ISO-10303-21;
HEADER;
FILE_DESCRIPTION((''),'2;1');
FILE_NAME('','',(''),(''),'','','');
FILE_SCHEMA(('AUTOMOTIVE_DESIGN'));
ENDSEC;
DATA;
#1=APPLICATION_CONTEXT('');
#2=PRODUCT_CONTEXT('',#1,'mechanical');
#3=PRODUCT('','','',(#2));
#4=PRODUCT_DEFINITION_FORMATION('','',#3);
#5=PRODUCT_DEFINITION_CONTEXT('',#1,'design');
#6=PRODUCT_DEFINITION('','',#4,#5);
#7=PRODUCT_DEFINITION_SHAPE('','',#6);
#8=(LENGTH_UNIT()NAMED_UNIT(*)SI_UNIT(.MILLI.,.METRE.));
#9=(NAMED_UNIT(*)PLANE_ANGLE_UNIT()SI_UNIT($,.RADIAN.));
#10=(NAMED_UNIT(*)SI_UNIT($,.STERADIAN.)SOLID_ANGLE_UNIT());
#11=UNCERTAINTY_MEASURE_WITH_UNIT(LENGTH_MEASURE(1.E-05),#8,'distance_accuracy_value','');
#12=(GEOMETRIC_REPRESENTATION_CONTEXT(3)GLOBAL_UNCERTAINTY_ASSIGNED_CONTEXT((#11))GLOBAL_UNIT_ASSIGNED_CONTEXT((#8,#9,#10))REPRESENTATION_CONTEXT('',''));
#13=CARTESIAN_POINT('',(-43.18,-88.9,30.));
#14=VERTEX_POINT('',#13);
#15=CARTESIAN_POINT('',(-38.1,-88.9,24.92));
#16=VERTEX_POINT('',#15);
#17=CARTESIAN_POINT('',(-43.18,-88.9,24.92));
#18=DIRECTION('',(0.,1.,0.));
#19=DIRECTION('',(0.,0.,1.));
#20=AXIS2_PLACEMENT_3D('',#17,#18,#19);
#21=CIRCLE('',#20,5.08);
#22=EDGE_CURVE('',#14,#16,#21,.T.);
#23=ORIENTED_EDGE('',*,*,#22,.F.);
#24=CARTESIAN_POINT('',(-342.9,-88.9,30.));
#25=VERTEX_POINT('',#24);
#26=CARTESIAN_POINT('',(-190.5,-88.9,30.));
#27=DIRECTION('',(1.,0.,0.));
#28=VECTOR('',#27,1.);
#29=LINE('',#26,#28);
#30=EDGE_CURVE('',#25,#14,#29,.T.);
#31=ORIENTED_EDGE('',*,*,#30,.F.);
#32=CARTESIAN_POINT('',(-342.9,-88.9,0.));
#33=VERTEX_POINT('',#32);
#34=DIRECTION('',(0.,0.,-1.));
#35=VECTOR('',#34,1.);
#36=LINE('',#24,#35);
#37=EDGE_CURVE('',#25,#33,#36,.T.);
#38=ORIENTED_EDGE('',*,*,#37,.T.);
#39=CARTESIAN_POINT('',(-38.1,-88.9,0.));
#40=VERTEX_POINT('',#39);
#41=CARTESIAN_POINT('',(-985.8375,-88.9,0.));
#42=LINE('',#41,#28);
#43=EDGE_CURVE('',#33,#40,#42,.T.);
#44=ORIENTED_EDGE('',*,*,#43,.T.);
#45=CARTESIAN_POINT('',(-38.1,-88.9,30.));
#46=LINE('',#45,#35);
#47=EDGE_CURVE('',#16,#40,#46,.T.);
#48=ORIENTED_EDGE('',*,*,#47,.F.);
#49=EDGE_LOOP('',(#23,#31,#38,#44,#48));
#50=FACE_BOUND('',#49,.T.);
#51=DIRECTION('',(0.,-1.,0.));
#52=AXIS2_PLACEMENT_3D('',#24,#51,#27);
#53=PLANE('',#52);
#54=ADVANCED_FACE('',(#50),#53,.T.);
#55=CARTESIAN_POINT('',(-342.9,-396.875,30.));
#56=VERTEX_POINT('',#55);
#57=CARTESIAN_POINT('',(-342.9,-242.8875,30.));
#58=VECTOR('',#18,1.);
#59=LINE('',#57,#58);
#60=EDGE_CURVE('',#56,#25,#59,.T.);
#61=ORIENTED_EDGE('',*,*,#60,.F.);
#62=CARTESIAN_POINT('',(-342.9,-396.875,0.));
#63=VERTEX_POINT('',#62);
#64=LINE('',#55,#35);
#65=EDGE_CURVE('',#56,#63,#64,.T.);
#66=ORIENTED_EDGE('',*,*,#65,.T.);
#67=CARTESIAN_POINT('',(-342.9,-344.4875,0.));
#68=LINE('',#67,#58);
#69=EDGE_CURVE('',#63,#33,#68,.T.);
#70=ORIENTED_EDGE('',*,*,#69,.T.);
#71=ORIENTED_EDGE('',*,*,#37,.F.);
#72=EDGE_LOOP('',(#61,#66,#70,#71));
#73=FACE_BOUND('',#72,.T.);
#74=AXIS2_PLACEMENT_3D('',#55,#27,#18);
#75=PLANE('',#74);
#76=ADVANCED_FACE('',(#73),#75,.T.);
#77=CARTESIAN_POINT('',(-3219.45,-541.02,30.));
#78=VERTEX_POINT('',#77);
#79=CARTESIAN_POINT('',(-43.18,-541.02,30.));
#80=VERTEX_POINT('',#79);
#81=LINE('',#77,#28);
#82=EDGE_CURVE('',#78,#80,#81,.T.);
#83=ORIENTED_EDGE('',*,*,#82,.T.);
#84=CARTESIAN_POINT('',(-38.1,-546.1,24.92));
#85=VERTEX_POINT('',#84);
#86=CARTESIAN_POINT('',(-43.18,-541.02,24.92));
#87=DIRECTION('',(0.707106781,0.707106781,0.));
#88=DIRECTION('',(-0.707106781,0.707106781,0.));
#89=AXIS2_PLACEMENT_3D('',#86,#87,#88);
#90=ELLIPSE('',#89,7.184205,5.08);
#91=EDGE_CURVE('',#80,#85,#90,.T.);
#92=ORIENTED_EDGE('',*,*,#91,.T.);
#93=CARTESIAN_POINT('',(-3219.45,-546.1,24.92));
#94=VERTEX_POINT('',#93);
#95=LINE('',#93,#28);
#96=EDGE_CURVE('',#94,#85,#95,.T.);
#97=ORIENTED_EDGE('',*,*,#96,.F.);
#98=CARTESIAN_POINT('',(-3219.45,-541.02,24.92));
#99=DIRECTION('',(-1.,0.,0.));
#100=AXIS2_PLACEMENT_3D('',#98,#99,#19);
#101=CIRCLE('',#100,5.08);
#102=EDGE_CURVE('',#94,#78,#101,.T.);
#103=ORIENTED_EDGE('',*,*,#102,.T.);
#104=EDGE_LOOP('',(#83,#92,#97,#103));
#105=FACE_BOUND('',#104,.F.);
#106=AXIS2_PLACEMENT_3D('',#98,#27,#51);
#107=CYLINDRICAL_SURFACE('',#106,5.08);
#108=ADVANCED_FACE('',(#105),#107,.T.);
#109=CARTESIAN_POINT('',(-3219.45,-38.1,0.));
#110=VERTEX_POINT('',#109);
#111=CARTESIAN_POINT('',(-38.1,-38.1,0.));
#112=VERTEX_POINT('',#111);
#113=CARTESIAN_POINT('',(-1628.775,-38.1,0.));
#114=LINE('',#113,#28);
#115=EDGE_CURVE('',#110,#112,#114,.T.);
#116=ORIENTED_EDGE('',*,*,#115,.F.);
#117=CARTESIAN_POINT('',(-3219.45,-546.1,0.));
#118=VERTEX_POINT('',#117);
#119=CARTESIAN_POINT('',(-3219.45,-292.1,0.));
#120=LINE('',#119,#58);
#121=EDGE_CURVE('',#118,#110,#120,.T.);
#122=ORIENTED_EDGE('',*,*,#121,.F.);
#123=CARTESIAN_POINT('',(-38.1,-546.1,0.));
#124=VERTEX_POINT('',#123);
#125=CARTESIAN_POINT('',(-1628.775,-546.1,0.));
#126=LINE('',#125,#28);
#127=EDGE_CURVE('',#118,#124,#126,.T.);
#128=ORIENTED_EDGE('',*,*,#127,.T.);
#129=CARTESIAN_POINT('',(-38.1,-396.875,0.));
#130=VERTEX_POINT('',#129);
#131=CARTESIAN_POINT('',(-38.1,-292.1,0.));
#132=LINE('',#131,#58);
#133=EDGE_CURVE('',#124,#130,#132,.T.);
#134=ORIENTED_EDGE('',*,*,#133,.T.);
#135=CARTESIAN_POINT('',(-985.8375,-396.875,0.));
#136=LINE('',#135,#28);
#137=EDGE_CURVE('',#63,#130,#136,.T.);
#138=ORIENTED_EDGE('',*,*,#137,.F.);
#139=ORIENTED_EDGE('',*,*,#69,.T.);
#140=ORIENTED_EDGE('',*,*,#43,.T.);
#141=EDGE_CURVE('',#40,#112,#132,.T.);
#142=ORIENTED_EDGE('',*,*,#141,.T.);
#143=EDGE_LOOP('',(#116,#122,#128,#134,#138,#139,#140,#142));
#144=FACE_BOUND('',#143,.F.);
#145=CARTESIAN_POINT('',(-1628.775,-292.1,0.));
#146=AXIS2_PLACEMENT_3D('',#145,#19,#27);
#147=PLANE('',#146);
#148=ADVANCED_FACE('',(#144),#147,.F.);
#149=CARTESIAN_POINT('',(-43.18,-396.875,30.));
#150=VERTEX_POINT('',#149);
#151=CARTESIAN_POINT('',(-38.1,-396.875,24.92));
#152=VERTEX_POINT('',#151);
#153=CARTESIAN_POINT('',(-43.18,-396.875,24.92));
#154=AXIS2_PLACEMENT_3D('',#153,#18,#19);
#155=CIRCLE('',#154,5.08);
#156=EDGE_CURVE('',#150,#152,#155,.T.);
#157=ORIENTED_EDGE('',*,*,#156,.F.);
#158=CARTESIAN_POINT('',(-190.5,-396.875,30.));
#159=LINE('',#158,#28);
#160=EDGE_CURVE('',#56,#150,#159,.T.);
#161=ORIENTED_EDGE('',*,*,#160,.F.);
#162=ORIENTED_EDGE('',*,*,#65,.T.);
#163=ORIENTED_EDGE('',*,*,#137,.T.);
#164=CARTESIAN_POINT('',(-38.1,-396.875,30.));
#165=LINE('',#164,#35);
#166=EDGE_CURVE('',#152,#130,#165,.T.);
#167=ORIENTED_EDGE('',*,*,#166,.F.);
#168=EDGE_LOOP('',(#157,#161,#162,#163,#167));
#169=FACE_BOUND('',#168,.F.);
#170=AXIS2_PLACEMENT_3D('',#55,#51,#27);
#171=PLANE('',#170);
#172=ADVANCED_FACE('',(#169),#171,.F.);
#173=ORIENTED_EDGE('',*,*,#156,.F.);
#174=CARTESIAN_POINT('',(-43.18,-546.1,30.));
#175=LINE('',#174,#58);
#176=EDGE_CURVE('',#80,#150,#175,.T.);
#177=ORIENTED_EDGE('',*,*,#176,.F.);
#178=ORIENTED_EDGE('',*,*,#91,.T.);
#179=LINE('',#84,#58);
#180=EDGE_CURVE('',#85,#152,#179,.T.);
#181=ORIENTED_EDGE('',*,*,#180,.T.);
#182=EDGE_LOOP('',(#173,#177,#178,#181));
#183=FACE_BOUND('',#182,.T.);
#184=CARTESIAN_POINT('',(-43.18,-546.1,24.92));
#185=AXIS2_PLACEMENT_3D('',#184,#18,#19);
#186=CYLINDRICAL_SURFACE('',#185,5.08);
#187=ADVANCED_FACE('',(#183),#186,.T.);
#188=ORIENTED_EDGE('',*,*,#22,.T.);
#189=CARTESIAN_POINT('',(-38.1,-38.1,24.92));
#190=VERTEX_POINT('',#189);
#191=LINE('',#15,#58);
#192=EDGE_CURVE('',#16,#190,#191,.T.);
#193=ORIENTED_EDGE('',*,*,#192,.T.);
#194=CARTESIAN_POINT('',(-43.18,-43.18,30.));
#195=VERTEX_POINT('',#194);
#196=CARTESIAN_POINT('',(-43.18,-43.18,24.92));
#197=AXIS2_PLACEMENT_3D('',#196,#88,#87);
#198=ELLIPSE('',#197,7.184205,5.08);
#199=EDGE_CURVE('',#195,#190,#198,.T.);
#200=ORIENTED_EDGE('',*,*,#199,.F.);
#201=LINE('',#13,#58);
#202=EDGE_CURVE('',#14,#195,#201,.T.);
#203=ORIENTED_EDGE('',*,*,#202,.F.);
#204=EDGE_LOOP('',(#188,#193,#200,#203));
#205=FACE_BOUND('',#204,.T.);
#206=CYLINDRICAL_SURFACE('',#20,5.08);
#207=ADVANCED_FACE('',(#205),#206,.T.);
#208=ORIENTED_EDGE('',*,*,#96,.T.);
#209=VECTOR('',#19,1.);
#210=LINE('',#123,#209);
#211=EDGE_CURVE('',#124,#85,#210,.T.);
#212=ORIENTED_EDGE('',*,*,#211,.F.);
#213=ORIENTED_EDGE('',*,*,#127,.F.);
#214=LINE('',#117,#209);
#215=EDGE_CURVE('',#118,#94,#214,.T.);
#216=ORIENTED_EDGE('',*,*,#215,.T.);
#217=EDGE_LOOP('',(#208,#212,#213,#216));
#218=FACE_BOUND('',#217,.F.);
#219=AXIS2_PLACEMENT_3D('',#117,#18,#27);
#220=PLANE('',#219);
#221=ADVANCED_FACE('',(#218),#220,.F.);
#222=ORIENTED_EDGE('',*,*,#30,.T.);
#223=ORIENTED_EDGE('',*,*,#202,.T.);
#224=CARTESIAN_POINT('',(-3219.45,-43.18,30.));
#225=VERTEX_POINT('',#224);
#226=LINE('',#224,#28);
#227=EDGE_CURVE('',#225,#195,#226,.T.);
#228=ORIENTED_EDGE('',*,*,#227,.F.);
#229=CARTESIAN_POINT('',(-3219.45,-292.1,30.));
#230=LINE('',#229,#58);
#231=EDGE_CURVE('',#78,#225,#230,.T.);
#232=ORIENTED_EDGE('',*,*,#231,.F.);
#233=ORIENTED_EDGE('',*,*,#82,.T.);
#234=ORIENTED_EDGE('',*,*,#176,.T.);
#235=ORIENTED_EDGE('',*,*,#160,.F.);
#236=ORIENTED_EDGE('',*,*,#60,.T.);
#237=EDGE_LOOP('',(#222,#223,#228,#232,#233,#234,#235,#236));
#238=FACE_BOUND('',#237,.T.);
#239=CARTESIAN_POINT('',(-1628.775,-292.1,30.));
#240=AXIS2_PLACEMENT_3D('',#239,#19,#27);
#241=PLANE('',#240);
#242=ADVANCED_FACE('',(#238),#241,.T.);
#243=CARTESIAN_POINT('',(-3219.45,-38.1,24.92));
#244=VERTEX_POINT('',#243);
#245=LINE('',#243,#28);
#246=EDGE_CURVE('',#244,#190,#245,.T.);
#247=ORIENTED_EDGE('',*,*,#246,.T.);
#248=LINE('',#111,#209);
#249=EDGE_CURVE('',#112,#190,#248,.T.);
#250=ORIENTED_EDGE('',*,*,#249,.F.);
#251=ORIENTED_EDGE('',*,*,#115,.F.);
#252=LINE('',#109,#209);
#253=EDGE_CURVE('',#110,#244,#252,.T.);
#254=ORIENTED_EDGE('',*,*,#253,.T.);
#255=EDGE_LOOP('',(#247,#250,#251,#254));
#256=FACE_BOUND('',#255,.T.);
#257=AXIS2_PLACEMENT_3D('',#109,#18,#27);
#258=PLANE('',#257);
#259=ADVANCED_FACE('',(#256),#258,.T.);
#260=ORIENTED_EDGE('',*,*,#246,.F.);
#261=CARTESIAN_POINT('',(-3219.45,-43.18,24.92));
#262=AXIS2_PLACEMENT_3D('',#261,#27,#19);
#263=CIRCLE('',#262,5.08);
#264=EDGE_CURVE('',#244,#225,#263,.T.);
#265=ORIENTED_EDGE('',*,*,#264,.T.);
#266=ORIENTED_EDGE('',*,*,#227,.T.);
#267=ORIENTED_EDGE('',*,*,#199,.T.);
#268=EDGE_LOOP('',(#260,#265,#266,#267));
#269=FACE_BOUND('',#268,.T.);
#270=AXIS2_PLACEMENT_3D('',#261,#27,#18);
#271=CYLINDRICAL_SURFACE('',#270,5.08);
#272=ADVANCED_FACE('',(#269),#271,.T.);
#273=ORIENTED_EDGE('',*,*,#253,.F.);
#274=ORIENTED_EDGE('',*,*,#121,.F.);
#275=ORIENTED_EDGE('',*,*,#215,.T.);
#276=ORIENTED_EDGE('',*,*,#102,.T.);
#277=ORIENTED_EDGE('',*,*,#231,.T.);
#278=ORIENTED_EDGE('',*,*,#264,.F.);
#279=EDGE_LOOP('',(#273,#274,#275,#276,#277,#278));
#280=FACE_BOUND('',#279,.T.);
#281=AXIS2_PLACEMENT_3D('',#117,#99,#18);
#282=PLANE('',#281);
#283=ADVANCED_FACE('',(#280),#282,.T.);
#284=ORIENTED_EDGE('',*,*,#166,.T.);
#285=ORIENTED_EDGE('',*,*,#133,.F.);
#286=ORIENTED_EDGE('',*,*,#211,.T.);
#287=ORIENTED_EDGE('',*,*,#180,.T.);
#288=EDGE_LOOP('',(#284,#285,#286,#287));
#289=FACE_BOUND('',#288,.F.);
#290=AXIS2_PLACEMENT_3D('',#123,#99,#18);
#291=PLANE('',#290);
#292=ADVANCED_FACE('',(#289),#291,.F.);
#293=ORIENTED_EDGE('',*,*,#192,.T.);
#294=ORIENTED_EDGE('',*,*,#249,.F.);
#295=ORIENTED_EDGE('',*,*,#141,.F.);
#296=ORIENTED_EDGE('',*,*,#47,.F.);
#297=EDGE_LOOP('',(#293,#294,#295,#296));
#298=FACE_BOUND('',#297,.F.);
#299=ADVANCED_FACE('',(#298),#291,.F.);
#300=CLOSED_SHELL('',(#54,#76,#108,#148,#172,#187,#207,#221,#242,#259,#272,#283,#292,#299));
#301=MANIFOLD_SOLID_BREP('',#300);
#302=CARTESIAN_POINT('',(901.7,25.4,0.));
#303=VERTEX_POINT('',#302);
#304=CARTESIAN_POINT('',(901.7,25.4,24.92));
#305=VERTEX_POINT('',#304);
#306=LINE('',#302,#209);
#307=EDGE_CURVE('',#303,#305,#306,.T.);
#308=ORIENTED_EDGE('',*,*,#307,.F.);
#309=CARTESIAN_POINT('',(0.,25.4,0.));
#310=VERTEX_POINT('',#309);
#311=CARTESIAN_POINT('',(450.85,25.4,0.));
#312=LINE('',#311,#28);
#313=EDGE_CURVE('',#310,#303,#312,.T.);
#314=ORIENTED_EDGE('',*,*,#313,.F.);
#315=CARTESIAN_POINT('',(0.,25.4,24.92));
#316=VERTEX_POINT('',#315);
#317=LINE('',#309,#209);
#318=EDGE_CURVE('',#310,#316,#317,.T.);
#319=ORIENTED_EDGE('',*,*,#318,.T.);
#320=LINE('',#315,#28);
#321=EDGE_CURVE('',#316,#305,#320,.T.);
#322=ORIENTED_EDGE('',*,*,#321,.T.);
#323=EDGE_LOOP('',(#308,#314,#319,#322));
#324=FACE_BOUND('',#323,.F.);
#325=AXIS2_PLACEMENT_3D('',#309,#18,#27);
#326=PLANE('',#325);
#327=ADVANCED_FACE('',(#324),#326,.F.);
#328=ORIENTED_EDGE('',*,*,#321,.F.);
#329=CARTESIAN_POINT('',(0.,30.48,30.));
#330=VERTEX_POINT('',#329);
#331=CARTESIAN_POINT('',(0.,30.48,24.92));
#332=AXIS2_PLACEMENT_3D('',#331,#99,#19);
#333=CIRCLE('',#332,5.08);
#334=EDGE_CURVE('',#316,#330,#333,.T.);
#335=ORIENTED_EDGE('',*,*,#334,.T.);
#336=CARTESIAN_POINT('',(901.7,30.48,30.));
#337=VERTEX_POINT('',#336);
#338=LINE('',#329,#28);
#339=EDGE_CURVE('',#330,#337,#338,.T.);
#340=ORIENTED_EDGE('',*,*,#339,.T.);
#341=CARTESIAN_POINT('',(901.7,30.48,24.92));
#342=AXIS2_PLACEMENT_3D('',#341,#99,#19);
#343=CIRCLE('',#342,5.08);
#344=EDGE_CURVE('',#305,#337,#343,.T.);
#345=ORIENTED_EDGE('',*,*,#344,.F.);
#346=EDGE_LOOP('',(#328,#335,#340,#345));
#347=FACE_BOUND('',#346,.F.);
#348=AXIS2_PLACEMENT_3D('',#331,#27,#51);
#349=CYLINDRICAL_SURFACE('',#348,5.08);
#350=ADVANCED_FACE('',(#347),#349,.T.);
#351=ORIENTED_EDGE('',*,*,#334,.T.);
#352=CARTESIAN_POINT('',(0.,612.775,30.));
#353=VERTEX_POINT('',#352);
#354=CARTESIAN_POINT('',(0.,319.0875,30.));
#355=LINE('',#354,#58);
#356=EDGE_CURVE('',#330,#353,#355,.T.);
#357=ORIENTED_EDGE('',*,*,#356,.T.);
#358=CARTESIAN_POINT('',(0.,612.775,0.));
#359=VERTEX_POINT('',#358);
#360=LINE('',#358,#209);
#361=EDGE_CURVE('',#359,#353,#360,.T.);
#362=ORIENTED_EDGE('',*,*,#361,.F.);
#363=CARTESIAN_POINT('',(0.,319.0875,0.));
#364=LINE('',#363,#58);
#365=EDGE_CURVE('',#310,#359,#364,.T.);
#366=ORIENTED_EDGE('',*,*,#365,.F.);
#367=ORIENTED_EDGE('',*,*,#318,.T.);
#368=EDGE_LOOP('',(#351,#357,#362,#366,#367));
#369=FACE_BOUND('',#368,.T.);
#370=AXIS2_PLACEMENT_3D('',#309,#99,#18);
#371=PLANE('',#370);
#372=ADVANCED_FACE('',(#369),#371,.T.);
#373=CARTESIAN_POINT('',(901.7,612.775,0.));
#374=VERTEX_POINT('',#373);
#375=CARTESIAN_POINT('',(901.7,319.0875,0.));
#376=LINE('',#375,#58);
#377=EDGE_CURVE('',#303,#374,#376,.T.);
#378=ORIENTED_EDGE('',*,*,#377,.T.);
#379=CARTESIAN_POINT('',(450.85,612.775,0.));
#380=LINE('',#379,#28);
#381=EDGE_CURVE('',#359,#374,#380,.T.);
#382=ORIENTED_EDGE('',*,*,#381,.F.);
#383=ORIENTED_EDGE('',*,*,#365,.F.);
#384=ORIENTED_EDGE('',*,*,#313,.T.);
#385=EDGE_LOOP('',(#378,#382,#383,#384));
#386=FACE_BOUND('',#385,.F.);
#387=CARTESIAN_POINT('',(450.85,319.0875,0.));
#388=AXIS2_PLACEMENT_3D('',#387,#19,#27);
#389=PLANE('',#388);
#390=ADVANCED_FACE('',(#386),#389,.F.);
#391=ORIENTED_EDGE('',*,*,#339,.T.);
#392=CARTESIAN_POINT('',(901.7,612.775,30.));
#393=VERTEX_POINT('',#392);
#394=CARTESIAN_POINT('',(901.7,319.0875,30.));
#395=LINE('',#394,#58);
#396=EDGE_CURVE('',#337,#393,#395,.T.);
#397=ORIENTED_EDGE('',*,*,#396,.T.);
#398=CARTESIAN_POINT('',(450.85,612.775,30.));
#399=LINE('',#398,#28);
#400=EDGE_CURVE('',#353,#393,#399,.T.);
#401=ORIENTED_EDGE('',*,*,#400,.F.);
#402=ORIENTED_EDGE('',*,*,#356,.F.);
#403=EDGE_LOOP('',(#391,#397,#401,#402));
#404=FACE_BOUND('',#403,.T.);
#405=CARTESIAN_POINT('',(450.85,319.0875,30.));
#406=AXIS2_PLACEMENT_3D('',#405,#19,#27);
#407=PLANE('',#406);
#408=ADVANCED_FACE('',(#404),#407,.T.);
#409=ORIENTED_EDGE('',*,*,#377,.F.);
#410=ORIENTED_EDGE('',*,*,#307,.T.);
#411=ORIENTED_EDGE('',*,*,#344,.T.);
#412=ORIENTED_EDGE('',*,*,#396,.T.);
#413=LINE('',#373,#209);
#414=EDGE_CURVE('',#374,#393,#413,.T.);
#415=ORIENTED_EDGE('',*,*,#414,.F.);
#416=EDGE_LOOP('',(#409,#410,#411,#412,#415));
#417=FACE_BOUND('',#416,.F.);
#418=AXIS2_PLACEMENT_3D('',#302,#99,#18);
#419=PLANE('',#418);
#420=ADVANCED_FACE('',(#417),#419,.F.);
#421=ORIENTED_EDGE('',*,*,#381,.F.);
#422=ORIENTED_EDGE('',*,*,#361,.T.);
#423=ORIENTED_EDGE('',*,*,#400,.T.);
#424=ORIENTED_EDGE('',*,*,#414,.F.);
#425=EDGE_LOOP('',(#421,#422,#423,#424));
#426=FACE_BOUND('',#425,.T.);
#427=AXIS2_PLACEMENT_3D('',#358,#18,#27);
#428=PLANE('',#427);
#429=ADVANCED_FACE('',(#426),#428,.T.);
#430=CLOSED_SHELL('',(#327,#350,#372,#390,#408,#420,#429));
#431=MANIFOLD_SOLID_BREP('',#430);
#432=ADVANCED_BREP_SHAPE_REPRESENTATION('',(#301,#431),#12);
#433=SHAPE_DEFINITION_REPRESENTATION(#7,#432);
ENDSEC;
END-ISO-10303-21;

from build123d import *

# Parameters (mm, degrees)
F0_W     = 901.7
F0_H     = 587.375
F1_DEPTH = 30
F2_W     = 3181.35
F2_H     = 508
F3_DEPTH = 30
F4_W     = 304.8
F4_H     = 307.975
F5_DEPTH = 30.001
F6_R     = 5.08
F6_2_R   = 5.08


with BuildPart() as f1:
    # F0 (on Top) → F1 (new body)
    with BuildSketch(Plane.XY):
        with Locations((450.85, 319.0875)):
            Rectangle(F0_W, F0_H)
    extrude(amount=F1_DEPTH)

    # F6#2
    f6_2_edges = [f1.edges().sort_by_distance(p)[0] for p in [
        (450.85, 25.4, 30),
    ]]
    fillet(f6_2_edges, radius=F6_2_R)


with BuildPart() as f3:
    # F2 (on Top) → F3 (new body)
    with BuildSketch(Plane.XY):
        with Locations((-1628.775, -292.1)):
            Rectangle(F2_W, F2_H)
    extrude(amount=F3_DEPTH)

    # F4 (on face) → F5 (cut, through all)
    with BuildSketch(Plane.XY.offset(30)):
        with Locations((-190.5, -242.8875)):
            Rectangle(F4_W, F4_H)
    extrude(amount=-F5_DEPTH, mode=Mode.SUBTRACT)

    # F6
    f6_edges = [f3.edges().sort_by_distance(p)[0] for p in [
        (-38.1, -471.4875, 30),
        (-38.1, -63.5, 30),
        (-1628.775, -546.1, 30),
        (-1628.775, -38.1, 30),
    ]]
    fillet(f6_edges, radius=F6_R)


solid = Compound([f1.part, f3.part])
